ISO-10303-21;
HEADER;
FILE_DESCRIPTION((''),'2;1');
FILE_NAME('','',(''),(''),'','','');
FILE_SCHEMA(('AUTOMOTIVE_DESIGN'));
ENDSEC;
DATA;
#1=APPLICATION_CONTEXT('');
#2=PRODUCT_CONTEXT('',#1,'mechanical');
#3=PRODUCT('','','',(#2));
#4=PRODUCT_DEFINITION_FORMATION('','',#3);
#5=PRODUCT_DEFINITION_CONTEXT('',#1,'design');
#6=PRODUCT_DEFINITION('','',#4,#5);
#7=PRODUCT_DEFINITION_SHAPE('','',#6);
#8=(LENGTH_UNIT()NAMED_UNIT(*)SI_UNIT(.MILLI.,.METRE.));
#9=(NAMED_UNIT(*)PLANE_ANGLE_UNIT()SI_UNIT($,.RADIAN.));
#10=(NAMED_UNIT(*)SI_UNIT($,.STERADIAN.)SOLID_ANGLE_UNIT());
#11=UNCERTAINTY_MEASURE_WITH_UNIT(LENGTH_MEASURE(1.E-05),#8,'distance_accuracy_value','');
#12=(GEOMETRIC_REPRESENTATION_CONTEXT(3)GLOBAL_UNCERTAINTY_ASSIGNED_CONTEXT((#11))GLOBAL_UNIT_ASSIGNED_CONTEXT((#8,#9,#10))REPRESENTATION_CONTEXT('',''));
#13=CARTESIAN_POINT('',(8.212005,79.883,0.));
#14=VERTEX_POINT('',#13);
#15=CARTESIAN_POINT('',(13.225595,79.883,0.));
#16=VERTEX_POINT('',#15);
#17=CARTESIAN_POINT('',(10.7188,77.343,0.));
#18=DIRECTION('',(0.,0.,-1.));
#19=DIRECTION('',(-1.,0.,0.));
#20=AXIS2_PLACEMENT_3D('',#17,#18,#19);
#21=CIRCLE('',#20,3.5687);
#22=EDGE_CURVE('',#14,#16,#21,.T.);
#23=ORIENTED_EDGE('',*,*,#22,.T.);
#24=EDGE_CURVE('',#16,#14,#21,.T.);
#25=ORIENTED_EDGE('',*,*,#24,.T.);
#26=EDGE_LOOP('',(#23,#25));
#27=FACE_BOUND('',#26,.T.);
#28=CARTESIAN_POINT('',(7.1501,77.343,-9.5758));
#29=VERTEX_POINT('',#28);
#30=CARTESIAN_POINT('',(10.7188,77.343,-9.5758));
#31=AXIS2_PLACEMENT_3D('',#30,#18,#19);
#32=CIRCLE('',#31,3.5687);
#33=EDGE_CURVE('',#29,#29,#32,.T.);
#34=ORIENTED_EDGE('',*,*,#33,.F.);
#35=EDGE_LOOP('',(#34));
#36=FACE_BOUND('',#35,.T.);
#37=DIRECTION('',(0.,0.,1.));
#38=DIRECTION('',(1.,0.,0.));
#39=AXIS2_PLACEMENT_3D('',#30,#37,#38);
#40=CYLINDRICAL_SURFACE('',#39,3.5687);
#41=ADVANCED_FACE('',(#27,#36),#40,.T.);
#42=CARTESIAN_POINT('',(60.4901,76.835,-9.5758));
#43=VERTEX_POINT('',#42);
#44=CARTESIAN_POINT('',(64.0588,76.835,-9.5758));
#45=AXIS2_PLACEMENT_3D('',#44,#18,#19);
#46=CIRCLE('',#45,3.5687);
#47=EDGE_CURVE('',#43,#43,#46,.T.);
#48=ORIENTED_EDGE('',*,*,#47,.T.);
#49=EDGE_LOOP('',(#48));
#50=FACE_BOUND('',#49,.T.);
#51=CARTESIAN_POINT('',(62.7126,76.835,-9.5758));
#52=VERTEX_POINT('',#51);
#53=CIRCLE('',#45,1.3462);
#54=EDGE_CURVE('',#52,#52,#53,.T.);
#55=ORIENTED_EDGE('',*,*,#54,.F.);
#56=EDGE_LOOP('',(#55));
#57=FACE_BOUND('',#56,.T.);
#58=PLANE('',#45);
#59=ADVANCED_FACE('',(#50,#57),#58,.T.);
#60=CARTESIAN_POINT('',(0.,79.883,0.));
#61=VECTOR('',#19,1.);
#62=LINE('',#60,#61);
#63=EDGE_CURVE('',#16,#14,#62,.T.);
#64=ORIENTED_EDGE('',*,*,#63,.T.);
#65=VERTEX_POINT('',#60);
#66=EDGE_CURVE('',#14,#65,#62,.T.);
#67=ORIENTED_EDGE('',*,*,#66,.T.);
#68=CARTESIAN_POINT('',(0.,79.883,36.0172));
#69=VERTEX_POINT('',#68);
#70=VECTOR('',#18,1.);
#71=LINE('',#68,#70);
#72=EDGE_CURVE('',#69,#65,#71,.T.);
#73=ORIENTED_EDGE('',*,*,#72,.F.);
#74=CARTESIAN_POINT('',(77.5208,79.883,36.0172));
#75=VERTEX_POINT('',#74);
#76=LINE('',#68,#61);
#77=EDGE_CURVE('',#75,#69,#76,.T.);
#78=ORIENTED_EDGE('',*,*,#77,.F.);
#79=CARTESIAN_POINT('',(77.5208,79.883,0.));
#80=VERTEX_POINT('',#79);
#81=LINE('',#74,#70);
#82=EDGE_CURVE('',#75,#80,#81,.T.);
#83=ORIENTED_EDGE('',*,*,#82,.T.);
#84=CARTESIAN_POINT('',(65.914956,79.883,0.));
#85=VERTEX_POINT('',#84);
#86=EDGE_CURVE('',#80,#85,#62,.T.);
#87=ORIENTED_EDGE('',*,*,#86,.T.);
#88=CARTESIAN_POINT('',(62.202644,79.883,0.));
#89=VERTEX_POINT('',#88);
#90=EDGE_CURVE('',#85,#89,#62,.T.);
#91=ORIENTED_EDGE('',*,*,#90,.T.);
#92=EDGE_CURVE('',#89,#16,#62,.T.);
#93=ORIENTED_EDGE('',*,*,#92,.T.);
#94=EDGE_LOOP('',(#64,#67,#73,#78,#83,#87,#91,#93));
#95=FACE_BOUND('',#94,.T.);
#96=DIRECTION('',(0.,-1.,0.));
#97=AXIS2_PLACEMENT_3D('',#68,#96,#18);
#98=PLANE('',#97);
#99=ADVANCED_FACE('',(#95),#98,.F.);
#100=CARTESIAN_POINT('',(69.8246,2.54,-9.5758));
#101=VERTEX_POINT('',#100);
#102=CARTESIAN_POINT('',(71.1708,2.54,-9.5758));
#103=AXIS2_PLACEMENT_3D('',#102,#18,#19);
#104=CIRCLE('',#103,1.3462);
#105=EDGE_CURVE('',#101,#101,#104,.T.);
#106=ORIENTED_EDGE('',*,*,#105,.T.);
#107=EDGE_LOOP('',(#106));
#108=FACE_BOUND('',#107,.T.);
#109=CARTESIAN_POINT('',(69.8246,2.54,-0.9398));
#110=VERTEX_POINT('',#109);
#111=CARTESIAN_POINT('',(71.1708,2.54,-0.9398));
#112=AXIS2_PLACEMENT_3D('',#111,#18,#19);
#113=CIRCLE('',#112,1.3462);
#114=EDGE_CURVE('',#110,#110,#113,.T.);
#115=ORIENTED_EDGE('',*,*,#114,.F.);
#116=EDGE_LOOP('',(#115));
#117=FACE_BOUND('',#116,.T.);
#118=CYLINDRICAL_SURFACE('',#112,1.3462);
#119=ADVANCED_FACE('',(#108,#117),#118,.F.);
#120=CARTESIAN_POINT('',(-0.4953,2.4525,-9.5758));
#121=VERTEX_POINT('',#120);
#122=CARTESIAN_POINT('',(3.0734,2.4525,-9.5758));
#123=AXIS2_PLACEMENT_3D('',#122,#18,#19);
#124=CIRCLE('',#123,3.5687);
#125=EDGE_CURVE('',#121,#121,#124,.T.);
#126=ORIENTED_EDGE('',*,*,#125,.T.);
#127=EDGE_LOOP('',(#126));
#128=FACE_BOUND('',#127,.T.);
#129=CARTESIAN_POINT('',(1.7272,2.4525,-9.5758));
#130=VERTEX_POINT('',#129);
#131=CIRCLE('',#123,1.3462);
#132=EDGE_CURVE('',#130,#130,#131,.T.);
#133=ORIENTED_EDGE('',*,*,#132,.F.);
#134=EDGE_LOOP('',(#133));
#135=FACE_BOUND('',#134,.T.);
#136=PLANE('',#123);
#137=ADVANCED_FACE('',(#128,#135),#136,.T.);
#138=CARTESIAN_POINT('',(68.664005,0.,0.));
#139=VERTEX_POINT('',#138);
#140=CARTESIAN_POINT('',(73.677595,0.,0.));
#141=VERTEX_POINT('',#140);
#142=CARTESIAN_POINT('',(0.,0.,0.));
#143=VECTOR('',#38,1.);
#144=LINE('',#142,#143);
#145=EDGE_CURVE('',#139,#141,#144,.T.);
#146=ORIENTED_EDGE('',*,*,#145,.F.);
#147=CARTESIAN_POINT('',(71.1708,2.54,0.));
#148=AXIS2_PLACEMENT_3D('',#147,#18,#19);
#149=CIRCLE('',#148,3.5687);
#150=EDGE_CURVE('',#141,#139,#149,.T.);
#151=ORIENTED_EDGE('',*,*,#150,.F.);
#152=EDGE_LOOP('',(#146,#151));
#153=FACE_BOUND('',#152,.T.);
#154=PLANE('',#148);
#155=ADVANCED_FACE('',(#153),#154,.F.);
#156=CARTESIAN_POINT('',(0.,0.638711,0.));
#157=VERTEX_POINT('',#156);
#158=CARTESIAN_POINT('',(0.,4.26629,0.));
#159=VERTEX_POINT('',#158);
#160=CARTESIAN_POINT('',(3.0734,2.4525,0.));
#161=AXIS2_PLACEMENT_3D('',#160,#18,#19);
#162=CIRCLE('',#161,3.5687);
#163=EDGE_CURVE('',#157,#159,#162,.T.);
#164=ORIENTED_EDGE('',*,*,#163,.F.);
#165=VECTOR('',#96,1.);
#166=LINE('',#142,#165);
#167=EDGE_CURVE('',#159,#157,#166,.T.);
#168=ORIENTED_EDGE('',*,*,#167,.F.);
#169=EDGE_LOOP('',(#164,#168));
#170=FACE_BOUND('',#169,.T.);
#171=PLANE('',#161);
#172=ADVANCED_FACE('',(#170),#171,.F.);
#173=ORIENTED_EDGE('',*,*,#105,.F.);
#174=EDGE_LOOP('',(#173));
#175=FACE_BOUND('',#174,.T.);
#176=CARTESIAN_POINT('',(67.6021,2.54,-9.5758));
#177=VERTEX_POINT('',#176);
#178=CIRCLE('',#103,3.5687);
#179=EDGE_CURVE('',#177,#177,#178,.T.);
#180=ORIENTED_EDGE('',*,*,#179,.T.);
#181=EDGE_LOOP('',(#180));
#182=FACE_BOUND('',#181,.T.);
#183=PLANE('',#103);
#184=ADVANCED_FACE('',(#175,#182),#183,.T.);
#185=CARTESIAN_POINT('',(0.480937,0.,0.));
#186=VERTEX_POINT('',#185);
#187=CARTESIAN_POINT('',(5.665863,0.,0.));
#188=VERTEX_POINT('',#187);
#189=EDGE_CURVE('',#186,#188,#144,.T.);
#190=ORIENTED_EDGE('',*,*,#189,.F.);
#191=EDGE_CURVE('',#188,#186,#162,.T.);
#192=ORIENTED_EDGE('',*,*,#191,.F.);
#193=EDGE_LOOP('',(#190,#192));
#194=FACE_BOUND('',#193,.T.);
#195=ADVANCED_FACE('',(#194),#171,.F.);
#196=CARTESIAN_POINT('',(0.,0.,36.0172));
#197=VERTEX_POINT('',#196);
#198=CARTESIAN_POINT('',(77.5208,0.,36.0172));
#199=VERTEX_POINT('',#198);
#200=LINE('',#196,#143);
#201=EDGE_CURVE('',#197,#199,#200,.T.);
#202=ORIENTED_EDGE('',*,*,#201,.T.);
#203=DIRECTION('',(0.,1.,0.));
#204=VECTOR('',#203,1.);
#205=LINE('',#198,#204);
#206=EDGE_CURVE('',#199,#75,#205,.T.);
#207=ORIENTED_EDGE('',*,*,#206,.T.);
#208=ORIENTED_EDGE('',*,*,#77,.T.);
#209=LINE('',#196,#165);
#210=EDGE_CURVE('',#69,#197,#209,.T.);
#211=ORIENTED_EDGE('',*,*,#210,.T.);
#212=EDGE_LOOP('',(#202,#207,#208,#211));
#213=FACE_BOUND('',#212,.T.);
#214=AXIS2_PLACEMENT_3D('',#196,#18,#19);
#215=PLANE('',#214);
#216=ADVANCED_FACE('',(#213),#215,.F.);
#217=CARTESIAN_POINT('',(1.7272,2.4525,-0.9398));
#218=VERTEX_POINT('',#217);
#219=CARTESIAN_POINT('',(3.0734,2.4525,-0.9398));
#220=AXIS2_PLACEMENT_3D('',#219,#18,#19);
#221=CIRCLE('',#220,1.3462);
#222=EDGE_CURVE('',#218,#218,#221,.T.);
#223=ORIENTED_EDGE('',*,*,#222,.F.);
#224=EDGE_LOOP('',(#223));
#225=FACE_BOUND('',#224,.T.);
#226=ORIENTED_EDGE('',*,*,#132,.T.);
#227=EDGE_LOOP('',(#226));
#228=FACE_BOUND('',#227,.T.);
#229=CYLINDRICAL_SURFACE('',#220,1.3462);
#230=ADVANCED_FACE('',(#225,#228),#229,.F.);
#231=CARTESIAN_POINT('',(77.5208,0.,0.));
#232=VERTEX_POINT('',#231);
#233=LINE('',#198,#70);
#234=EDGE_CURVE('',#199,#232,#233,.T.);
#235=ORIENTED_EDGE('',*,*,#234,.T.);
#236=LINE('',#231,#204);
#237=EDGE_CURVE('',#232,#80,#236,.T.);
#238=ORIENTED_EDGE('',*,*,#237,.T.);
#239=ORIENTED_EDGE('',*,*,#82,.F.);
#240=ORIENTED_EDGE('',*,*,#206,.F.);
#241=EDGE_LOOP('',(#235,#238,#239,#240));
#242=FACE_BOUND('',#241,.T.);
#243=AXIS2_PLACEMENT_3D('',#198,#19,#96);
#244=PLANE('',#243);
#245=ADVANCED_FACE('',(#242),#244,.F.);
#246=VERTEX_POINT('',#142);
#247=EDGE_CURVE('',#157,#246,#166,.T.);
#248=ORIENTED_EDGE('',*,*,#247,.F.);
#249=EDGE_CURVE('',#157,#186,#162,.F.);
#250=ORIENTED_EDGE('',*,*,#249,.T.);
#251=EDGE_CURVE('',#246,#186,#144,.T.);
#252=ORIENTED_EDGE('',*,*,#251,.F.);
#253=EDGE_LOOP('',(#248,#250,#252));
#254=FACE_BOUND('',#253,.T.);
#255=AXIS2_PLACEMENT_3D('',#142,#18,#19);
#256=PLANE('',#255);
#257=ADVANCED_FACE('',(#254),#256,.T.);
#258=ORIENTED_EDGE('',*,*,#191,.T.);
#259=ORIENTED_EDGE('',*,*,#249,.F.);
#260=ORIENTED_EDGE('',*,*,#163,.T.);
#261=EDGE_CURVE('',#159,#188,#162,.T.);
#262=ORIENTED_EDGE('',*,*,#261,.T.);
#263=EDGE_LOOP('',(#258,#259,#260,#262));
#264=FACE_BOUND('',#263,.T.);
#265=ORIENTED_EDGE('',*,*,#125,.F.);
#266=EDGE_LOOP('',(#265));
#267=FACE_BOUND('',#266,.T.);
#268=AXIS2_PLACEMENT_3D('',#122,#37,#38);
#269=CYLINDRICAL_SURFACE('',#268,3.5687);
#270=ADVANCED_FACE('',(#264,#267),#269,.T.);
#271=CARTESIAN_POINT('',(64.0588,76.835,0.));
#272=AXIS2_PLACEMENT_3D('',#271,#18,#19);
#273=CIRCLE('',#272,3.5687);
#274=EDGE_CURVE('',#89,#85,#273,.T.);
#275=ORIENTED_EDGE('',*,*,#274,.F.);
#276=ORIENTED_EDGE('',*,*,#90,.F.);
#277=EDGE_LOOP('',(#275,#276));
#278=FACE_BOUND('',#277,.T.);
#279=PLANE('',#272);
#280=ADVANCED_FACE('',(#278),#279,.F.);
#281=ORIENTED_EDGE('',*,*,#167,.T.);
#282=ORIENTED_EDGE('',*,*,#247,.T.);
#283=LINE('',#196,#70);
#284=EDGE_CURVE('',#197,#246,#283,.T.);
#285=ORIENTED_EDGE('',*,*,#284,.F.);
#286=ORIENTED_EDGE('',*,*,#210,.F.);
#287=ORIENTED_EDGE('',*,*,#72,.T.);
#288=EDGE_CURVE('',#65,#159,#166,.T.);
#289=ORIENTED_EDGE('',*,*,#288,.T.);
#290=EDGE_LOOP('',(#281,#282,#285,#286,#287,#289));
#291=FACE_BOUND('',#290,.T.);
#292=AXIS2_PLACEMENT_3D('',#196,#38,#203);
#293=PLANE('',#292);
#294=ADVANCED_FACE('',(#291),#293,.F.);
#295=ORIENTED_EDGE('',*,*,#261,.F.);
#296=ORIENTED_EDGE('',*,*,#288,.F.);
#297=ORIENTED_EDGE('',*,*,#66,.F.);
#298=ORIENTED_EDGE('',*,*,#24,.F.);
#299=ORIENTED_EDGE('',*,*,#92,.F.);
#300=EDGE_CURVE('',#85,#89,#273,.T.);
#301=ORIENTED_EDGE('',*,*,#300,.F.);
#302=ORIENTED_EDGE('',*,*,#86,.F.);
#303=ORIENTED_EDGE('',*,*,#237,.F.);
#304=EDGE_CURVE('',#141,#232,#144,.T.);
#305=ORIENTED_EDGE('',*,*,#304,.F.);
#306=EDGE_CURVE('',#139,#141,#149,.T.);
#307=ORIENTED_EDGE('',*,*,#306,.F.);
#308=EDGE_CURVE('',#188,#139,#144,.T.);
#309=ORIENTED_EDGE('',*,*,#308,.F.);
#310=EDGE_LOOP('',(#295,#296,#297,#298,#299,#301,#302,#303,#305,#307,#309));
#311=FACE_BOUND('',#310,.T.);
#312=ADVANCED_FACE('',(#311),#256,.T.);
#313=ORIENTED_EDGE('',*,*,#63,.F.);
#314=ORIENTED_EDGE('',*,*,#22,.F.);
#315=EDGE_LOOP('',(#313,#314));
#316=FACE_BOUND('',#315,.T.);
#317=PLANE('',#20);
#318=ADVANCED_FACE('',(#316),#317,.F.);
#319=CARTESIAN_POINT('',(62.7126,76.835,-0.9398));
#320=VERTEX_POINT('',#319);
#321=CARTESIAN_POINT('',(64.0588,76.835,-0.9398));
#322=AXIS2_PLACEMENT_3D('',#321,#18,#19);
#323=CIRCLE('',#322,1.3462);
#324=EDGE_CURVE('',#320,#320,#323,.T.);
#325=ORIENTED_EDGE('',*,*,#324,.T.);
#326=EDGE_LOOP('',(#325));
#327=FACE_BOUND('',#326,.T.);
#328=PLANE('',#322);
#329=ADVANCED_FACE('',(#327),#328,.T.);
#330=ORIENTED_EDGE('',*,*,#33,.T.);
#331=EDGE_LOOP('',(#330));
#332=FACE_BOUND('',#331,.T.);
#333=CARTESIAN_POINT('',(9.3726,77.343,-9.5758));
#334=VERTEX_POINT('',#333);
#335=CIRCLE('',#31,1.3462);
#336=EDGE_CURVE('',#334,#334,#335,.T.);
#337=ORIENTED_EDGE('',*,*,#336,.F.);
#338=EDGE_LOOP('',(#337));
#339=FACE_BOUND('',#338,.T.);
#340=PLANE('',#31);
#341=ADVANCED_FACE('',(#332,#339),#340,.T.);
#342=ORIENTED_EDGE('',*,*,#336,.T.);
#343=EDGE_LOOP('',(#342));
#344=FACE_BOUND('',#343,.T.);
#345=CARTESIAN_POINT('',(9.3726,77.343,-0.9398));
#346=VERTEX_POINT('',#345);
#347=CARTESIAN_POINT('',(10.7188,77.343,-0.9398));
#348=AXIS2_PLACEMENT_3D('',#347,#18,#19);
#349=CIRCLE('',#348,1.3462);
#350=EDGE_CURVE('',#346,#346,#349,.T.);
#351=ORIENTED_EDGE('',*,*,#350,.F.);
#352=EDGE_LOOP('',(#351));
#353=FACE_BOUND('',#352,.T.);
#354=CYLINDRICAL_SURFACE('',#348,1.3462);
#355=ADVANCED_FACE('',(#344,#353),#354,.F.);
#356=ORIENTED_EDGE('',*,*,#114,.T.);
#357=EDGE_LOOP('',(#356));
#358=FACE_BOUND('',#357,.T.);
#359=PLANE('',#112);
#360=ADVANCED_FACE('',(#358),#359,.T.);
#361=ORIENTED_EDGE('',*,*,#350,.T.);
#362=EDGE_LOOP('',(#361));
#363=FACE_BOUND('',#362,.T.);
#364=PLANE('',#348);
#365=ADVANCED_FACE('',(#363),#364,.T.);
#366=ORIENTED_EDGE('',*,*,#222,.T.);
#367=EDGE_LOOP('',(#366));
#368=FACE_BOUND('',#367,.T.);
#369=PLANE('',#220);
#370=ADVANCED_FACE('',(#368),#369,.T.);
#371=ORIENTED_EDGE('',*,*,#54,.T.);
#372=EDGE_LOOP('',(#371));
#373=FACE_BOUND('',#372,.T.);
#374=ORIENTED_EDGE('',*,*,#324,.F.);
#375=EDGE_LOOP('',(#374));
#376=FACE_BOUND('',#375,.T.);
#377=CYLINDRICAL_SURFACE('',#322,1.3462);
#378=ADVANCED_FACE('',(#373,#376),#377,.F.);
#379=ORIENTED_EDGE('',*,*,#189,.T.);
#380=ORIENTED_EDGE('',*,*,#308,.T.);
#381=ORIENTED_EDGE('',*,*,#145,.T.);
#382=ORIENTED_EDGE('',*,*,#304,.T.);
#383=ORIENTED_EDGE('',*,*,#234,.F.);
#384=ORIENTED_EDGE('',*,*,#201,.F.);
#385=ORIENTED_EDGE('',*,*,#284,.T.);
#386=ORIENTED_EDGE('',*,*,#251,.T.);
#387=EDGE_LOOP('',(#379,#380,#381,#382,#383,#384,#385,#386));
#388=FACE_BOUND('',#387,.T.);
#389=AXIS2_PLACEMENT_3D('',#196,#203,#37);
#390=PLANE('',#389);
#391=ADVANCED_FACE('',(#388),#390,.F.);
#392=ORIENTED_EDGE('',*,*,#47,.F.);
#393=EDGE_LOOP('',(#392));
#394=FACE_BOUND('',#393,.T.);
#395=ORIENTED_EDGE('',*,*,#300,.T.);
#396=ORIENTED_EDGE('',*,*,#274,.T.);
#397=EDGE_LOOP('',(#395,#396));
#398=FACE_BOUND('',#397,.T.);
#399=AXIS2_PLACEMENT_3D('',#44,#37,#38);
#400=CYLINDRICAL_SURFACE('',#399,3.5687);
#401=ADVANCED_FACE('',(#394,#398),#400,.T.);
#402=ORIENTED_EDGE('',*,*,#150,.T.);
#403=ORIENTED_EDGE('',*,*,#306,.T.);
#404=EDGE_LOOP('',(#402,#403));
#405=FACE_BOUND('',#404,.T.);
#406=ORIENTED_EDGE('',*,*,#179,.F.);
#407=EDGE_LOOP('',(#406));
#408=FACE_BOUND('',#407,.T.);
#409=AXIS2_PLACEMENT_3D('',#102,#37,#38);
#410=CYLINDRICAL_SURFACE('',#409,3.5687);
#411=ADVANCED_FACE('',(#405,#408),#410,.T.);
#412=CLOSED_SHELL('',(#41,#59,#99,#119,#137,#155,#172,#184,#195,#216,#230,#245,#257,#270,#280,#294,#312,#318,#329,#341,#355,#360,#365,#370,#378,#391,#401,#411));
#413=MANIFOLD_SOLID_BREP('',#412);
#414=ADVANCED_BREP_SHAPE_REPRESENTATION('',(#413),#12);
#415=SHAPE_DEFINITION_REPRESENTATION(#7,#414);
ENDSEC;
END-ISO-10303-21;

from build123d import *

# Parameters (mm, degrees)
SKETCH1_W           = 77.5208
SKETCH1_H           = 79.883
BOSS_EXTRUDE1_DEPTH = 36.0172
SKETCH4_R           = 3.5687
BOSS_EXTRUDE2_DEPTH = 9.5758
SKETCH5_R           = 3.5687
BOSS_EXTRUDE3_DEPTH = 9.5758
SKETCH6_R           = 1.3462
CUT_EXTRUDE1_DEPTH  = 8.636


with BuildPart() as part:
    # Sketch1 → Boss-Extrude1 (new body)
    with BuildSketch(Plane.XY):
        with Locations((38.7604, 39.9415)):
            Rectangle(SKETCH1_W, SKETCH1_H)
    extrude(amount=BOSS_EXTRUDE1_DEPTH)

    # Sketch4 → Boss-Extrude2 (add)
    with BuildSketch(Plane(origin=(0, 0, 0), x_dir=(-1, 0, 0), z_dir=(0, 0, -1))):
        with Locations(Location((-71.1708, 2.54, 0), (0, 0, 225.376971118))):
            Circle(SKETCH4_R)
        with Locations(Location((-3.0734, 2.452500211, 0), (0, 0, 223.410850824))):
            Circle(SKETCH4_R)
    extrude(amount=BOSS_EXTRUDE2_DEPTH)

    # Sketch5 → Boss-Extrude3 (add)
    with BuildSketch(Plane(origin=(0, 0, 0), x_dir=(-1, 0, 0), z_dir=(0, 0, -1))):
        with Locations(Location((-10.7188, 77.343, 0), (0, 0, 134.623028882))):
            Circle(SKETCH5_R)
        with Locations(Location((-64.0588, 76.835, 0), (0, 0, 121.340374815))):
            Circle(SKETCH5_R)
    extrude(amount=BOSS_EXTRUDE3_DEPTH)

    # Sketch6 → Cut-Extrude1 (cut)
    with BuildSketch(Plane(origin=(0, 0, -9.5758), x_dir=(-1, 0, 0), z_dir=(0, 0, -1))):
        with Locations((-71.1708, 2.54)):
            Circle(SKETCH6_R)
        with Locations((-3.0734, 2.452500211)):
            Circle(SKETCH6_R)
        with Locations((-10.7188, 77.343)):
            Circle(SKETCH6_R)
        with Locations((-64.0588, 76.835)):
            Circle(SKETCH6_R)
    extrude(amount=-CUT_EXTRUDE1_DEPTH, mode=Mode.SUBTRACT)


solid = part.part
